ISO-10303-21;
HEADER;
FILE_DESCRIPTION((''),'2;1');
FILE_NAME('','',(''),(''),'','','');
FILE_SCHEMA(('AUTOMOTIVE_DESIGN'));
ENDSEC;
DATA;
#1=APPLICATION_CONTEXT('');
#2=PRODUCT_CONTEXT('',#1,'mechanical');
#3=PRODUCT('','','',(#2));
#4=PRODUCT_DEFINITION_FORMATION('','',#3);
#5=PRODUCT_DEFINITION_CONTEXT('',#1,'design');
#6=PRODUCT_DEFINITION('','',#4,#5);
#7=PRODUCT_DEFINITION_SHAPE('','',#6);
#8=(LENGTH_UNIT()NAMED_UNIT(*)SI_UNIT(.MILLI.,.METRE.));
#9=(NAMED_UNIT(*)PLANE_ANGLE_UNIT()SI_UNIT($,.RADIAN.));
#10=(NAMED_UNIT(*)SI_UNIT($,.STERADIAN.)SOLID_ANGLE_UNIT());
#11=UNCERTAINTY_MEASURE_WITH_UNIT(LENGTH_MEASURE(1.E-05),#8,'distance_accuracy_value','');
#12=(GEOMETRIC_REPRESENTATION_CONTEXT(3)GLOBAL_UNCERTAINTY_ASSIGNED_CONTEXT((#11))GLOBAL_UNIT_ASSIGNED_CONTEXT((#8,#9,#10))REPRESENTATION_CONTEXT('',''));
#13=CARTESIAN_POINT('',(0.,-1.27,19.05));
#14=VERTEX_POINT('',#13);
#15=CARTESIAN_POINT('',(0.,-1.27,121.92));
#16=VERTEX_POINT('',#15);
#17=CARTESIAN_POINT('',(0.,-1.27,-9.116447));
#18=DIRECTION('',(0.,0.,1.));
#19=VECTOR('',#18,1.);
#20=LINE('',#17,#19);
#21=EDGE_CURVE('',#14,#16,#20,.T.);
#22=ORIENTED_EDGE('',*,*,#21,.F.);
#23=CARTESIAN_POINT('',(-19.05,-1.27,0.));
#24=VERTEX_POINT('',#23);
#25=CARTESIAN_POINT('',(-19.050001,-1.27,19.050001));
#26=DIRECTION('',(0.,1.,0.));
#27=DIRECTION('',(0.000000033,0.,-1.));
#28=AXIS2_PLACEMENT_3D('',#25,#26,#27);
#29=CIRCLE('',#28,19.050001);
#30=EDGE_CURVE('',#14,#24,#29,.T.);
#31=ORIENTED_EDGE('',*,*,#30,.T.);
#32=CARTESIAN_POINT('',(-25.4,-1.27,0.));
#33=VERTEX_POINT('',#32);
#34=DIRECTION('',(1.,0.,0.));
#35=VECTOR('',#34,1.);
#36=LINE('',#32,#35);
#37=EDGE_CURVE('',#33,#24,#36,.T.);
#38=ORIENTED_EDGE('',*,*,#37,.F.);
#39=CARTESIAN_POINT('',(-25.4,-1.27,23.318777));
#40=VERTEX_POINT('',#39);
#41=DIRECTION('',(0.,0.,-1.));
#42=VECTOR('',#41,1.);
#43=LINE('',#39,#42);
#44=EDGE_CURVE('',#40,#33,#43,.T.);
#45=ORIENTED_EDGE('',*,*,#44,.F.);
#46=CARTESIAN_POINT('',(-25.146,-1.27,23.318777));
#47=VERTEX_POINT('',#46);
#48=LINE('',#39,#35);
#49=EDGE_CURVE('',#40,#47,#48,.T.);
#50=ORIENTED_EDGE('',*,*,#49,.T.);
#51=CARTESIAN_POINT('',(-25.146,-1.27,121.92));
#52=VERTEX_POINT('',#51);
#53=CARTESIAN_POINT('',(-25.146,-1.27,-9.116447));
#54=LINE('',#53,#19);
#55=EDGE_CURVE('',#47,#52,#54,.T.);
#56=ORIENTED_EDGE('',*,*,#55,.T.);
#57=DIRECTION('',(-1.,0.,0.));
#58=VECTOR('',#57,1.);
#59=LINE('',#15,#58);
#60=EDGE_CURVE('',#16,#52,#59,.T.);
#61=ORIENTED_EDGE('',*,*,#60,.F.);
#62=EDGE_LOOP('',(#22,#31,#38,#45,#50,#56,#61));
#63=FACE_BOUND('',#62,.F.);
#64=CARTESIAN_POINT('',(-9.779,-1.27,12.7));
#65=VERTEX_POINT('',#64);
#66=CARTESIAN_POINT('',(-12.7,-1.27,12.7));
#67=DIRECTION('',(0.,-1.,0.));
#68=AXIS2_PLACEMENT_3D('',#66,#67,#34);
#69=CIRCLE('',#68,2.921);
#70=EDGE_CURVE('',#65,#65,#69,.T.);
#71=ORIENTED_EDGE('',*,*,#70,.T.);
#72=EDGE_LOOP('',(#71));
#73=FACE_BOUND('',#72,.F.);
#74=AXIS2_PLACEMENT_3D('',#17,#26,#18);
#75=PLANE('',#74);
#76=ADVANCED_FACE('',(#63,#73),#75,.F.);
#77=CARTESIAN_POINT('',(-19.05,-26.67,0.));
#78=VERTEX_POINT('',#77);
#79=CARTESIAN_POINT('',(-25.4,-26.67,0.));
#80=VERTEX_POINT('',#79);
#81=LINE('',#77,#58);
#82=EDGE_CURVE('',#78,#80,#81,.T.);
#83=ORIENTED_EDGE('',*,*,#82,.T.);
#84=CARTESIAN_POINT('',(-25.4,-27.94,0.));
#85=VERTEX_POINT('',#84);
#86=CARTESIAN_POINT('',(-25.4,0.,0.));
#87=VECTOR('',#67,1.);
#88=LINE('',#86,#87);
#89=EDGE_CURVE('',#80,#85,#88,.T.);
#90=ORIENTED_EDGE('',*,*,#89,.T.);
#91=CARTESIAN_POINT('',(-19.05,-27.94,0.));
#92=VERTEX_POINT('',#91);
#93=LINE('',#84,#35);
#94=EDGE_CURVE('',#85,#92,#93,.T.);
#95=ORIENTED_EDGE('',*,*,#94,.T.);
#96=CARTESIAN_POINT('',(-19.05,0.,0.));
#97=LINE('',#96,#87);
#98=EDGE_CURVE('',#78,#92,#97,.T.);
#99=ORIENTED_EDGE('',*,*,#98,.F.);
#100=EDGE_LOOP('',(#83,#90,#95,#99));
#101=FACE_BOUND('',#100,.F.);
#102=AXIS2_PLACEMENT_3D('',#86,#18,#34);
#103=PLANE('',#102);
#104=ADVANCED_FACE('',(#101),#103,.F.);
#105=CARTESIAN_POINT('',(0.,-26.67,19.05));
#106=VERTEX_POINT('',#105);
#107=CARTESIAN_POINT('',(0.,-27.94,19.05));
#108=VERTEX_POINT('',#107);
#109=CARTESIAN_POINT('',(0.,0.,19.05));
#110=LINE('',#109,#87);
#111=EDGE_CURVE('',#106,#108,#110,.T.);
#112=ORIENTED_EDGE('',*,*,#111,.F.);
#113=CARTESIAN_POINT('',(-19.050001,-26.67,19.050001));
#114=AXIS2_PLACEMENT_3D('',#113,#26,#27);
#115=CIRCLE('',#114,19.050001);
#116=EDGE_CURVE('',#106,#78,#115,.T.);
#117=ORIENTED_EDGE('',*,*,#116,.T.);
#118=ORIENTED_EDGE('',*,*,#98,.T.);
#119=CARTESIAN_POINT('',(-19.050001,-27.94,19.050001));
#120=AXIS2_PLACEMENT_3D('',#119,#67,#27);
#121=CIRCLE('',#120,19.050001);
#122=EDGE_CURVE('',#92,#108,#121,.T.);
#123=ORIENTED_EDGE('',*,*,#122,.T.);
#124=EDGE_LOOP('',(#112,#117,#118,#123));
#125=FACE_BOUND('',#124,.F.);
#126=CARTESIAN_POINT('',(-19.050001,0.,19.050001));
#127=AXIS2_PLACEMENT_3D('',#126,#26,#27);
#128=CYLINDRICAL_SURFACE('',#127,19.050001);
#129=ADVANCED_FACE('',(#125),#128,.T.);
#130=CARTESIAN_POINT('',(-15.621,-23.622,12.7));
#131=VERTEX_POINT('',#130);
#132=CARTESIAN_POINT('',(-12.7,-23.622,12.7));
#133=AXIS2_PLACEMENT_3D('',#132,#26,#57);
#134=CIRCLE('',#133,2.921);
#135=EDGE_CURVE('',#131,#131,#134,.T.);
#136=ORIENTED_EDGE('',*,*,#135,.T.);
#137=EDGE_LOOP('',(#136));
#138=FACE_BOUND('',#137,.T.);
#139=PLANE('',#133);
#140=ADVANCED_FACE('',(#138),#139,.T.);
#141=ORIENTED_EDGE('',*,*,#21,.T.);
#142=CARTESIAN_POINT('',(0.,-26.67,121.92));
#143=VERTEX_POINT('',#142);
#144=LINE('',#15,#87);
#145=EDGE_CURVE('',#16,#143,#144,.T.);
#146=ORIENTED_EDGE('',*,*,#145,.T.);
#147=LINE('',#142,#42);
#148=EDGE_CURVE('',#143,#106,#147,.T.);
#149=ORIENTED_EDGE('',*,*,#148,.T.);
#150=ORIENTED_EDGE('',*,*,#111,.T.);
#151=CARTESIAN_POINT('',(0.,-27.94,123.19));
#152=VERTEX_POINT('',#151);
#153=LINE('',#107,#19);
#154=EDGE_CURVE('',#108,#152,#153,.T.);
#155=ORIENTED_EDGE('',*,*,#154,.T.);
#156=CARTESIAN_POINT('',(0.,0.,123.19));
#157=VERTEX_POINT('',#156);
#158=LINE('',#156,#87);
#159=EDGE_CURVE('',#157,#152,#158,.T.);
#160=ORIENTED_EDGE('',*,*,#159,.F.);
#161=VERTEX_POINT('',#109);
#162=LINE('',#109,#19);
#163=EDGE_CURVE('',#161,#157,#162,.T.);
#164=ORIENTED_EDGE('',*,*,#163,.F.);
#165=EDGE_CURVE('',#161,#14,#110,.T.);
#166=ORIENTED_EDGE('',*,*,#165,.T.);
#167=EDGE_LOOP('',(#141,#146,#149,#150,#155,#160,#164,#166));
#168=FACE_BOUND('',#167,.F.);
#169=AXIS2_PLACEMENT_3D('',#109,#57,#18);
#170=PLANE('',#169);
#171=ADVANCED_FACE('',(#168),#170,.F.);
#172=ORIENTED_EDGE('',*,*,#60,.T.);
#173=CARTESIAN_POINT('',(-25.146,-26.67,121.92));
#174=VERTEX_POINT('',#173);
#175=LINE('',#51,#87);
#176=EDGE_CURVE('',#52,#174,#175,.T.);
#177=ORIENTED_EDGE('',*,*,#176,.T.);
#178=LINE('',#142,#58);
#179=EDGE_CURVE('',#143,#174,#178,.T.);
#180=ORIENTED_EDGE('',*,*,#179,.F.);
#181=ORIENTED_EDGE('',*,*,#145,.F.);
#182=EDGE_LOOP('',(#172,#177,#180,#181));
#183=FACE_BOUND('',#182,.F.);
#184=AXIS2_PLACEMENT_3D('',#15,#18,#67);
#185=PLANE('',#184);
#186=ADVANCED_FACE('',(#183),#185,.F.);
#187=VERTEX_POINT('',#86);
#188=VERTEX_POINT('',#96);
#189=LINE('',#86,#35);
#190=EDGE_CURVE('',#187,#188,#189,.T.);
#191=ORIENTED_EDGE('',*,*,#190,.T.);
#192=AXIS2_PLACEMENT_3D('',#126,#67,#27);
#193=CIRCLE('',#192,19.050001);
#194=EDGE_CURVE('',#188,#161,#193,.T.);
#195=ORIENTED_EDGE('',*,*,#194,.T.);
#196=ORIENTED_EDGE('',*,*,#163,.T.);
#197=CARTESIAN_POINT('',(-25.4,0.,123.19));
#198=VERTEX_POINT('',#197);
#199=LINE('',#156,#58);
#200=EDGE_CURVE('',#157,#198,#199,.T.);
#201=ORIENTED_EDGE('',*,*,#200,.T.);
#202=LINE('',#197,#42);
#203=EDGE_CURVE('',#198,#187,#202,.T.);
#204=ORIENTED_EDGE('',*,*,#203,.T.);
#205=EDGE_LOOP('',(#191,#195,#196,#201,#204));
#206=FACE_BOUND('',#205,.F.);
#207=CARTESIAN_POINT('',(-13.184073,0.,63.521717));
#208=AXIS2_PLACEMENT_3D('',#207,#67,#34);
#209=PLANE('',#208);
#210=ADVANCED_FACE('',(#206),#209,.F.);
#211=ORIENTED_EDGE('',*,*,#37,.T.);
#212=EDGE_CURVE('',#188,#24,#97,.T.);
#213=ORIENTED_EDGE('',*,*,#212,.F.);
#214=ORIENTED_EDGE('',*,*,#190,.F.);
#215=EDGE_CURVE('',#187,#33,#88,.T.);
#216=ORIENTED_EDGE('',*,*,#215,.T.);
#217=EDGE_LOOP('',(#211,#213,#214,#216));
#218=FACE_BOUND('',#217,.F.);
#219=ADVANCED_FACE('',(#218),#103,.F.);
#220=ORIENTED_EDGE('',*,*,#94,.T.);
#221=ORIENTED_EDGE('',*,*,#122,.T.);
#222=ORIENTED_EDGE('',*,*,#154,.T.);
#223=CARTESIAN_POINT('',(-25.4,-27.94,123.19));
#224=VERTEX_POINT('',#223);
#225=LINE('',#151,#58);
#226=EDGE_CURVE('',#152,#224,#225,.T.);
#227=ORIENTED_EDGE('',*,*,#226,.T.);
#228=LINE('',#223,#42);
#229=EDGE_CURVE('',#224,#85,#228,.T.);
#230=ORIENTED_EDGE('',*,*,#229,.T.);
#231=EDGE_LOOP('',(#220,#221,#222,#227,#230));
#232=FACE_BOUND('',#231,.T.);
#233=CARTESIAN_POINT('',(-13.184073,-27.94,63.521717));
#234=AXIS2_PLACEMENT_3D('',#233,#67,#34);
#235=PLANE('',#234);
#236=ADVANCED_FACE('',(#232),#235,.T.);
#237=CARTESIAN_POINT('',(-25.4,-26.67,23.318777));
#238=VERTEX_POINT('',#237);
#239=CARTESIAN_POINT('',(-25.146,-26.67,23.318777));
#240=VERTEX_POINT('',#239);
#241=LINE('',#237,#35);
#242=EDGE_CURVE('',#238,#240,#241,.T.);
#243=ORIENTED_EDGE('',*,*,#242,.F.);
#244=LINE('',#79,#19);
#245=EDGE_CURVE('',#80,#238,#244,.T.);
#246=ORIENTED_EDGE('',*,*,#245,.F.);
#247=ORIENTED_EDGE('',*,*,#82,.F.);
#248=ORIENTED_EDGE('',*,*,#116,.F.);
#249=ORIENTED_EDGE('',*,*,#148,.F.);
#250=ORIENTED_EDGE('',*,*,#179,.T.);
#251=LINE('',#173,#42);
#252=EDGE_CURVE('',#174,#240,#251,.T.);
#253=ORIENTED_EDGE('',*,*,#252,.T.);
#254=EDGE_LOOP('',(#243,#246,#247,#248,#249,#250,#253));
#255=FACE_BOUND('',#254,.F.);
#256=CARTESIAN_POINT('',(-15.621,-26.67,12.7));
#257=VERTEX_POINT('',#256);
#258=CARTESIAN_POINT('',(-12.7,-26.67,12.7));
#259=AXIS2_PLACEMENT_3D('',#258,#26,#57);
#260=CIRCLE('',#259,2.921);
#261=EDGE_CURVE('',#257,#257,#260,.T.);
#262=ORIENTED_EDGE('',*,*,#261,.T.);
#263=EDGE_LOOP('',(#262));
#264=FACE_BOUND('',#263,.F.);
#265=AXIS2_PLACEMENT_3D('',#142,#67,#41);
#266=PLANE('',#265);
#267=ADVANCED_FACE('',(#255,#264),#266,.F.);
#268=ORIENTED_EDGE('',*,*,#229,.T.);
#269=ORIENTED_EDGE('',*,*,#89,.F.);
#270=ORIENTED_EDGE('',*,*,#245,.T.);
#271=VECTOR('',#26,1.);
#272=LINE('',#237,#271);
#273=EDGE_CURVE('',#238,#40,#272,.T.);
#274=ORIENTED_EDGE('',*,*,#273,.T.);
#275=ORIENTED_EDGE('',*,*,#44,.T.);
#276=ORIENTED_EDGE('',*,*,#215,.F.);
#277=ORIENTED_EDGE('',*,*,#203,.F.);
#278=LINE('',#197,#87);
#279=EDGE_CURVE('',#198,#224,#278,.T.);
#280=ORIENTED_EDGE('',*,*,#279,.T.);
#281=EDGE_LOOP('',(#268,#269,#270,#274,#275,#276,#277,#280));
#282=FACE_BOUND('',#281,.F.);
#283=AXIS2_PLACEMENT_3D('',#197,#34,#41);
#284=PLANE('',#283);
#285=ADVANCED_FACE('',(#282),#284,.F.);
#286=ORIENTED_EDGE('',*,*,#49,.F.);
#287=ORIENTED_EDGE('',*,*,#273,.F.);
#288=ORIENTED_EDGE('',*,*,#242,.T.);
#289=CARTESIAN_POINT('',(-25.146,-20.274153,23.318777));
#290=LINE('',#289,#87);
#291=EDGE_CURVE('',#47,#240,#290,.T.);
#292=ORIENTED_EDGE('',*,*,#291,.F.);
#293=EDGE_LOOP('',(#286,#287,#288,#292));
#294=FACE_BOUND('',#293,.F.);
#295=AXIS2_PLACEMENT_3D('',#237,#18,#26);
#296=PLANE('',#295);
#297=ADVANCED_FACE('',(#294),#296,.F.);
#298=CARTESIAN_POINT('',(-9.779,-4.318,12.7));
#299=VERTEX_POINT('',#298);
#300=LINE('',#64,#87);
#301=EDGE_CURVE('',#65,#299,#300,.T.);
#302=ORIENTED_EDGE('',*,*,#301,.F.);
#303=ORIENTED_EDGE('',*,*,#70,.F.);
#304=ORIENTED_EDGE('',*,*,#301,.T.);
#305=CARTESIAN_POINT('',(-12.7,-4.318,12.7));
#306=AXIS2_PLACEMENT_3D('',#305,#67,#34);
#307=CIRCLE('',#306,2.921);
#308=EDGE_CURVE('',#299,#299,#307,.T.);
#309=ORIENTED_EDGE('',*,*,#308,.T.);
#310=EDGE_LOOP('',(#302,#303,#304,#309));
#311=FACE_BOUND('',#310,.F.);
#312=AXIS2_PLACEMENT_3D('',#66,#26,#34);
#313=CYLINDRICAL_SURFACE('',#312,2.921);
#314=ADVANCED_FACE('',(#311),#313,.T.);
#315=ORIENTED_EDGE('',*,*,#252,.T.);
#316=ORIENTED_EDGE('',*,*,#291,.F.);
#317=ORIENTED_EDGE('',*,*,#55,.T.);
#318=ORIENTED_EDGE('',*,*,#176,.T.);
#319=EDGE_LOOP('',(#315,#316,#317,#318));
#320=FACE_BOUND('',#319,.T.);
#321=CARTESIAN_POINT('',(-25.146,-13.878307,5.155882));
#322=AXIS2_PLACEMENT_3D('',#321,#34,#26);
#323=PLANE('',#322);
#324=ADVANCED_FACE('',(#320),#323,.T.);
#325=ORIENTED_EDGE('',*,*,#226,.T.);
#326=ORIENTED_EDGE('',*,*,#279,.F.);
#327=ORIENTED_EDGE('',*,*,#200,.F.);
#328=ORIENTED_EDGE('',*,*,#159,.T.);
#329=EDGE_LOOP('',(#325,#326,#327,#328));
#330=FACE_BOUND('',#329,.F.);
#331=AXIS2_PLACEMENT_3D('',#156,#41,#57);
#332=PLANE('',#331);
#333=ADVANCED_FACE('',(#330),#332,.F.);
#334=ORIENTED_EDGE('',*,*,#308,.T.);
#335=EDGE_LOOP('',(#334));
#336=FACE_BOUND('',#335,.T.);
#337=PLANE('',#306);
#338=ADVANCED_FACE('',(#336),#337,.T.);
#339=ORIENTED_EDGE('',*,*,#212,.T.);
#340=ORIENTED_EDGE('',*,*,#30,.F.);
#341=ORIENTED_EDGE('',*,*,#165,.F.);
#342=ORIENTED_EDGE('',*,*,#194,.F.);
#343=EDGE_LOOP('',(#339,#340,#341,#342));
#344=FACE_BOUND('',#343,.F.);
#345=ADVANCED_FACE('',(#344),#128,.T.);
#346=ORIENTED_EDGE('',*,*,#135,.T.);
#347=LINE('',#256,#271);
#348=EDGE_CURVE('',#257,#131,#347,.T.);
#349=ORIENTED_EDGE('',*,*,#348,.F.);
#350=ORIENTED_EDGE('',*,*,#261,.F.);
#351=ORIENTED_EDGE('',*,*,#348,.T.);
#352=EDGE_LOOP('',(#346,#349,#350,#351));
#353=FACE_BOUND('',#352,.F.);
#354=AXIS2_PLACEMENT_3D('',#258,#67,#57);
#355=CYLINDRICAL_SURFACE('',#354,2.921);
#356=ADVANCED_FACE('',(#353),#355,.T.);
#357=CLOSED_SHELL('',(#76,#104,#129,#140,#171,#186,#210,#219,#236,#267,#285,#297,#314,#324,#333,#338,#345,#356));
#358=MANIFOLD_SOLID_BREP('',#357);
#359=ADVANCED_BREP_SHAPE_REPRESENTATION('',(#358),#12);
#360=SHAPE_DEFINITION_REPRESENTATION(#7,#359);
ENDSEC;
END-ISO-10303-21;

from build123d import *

# Parameters (mm, degrees)
F1_DEPTH = 27.94
F3_DEPTH = 25.146
F4_R     = 2.921
F6_DEPTH = 3.048
F5_R     = 2.921
F7_DEPTH = 3.048
F9_DEPTH = 5.08


with BuildPart() as f1:
    # F0 (on Front) → F1 (new body)
    with BuildSketch(Plane.XZ):
        with BuildLine():
            Line((0, 123.19), (-25.4, 123.19))
            Line((-25.4, 123.19), (-25.4, 0))
            Line((-25.4, 0), (-19.05, 0))
            ThreePointArc((-19.05, 0), (-5.579616, 5.579616), (0, 19.05))
            Line((0, 19.05), (0, 123.19))
        make_face()
    extrude(amount=F1_DEPTH)

    # F2 (on face) → F3 (cut)
    with BuildSketch(Plane.YZ):
        Polygon((-1.27, -9.116447), (-1.27, 19.05), (-26.67, 19.05), (-26.67, -8.348415), align=None)
        Polygon((-1.27, 19.05), (-1.27, 20.321167), (-1.27, 121.92), (-26.67, 121.92), (-26.67, 20.32), (-26.67, 19.05), align=None)
    extrude(amount=-F3_DEPTH, mode=Mode.SUBTRACT)

    # F4 (on face) → F6 (join)
    with BuildSketch(Plane(origin=(0, -26.67, 0), x_dir=(-1, 0, 0), z_dir=(0, 1, 0))):
        with Locations((12.7, 12.7)):
            Circle(F4_R)
    extrude(amount=F6_DEPTH)

    # F5 (on face) → F7 (join)
    with BuildSketch(Plane.XZ.offset(1.27)):
        with Locations((-12.7, 12.7)):
            Circle(F5_R)
    extrude(amount=F7_DEPTH)

    # F8 (on face) → F9 (cut)
    with BuildSketch(Plane(origin=(-25.4, 0, 0), x_dir=(0, -1, 0), z_dir=(-1, 0, 0))):
        Polygon((26.67, 23.318777), (1.27, 23.318777), (1.27, 0.254), (1.27, 0), (26.67, 0), (26.67, 0.254), align=None)
    extrude(amount=-F9_DEPTH, mode=Mode.SUBTRACT)


solid = f1.part
